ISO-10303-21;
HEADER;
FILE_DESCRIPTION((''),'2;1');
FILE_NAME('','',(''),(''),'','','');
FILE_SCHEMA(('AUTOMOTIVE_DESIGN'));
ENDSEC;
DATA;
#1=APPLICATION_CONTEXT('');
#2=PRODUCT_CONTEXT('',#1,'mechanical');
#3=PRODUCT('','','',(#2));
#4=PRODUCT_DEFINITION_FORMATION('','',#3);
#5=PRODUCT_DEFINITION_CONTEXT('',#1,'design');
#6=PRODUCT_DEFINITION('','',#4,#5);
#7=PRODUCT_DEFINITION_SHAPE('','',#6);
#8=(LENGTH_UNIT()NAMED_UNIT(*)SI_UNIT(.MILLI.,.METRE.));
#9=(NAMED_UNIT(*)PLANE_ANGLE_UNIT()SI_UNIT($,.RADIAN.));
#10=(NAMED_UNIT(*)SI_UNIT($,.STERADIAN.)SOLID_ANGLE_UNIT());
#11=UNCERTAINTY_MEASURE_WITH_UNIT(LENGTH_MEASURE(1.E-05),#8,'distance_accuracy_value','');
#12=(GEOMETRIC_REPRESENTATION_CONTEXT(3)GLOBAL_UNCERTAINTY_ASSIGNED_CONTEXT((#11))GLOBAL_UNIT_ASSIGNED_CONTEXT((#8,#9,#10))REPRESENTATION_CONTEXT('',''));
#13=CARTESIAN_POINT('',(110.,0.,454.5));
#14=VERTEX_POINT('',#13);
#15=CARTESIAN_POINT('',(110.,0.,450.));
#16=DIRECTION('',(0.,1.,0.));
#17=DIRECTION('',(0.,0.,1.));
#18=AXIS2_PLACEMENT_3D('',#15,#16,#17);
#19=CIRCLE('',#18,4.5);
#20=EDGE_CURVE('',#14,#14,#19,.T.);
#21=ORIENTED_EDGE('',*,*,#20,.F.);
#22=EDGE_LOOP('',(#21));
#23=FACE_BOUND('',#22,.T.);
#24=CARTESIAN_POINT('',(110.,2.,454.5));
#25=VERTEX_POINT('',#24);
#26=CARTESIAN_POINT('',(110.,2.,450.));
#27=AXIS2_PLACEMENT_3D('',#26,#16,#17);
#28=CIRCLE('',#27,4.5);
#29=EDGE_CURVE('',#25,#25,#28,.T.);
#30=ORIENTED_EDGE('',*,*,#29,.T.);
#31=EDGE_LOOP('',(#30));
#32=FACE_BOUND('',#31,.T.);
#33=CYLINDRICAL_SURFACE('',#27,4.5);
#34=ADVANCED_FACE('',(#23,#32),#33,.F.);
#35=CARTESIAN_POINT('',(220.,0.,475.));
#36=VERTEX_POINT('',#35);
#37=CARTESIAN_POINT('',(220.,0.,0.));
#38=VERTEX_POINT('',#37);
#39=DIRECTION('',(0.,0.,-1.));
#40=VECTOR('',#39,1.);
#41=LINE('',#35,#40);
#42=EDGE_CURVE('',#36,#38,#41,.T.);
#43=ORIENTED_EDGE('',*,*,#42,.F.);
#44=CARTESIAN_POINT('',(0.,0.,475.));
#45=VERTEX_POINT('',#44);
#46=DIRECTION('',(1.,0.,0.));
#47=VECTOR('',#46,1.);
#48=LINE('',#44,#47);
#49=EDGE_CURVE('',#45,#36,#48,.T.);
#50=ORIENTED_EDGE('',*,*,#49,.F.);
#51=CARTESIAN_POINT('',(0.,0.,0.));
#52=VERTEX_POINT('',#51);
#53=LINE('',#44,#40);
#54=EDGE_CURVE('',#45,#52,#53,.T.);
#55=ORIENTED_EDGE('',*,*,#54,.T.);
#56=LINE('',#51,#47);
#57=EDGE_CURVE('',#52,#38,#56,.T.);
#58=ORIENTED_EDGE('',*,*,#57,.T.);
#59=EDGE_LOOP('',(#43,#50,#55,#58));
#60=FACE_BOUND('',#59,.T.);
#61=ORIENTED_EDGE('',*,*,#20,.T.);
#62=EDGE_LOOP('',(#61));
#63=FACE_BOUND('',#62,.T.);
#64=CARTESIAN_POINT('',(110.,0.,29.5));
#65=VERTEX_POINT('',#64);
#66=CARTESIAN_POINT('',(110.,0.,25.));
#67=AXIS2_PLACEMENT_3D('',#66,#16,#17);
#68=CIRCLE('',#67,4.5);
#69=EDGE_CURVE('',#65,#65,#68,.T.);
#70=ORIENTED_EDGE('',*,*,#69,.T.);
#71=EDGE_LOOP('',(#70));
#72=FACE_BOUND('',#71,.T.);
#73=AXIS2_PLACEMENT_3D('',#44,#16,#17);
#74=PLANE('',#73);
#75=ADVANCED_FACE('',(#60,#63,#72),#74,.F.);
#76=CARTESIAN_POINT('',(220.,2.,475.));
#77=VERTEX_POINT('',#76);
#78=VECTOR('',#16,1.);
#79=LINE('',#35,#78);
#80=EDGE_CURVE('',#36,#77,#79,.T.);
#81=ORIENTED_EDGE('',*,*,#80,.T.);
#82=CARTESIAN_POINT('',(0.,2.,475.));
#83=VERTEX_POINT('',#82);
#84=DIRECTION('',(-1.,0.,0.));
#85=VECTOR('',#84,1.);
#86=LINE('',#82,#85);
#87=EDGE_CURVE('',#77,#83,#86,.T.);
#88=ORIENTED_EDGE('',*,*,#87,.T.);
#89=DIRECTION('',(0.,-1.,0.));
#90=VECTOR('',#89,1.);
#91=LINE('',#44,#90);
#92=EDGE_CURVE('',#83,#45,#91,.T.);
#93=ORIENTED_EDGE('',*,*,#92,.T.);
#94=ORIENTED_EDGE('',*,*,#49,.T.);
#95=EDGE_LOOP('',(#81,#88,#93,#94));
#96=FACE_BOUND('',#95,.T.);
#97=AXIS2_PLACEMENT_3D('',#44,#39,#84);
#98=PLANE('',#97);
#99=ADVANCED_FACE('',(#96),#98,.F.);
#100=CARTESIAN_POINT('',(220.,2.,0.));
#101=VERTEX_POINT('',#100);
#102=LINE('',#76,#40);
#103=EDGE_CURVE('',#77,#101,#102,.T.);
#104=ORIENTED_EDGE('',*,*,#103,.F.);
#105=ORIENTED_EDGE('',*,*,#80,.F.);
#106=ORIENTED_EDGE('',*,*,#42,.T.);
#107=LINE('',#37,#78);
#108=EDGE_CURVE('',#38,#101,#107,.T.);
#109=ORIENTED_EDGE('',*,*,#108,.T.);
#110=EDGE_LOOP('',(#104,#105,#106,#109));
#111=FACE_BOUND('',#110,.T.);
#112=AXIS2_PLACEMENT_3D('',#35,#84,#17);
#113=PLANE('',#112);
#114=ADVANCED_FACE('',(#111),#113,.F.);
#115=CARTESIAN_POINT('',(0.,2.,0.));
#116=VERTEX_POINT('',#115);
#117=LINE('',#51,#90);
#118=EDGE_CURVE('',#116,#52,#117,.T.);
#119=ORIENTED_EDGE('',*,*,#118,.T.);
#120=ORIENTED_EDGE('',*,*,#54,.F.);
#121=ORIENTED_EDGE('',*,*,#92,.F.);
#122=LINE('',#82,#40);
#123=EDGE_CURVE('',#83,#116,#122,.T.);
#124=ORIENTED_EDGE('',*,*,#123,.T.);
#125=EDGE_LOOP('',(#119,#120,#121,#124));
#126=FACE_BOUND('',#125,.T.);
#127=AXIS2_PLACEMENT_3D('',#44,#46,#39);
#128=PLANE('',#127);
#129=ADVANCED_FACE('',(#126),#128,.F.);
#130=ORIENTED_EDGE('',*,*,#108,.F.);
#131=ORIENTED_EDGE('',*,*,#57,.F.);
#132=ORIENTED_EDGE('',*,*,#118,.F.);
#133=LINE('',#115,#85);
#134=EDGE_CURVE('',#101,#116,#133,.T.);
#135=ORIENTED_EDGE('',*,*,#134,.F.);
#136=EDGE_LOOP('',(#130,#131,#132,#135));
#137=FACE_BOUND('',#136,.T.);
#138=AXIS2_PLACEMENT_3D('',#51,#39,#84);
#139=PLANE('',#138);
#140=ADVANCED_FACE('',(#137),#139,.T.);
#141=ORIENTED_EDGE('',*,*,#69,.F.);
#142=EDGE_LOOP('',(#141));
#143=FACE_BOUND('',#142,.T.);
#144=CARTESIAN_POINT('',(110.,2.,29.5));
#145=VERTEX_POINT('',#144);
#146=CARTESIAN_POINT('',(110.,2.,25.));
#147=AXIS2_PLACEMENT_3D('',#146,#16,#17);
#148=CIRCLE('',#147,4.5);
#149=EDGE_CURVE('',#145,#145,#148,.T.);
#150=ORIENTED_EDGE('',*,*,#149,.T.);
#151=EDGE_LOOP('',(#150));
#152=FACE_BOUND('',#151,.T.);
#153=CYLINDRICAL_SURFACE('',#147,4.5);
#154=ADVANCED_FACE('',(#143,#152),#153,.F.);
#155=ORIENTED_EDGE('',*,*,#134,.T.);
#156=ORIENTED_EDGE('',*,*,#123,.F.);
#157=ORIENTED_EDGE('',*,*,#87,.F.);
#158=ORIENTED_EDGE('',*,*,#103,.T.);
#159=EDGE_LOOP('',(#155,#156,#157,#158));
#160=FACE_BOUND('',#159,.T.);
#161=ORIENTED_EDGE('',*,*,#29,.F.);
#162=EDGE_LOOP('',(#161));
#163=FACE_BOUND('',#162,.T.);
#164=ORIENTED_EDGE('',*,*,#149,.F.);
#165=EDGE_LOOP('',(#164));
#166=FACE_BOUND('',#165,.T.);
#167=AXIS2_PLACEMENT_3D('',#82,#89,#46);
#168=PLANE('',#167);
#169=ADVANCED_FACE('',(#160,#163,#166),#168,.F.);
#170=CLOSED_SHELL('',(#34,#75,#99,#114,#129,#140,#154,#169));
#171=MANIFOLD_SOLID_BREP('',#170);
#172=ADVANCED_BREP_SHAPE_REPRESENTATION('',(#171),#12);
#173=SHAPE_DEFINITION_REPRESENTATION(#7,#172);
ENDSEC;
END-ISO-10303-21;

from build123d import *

# Parameters (mm, degrees)
ESBO_O1_W                   = 220
ESBO_O1_H                   = 2
RESSALTO_EXTRUS_O1_DEPTH    = 475
FURO_COM_FOLGA_DE_M81_D     = 9
FURO_COM_FOLGA_DE_M81_DEPTH = 10
FURO_COM_FOLGA_DE_M81_TIP   = 2.703872786


with BuildPart() as part:
    # Esboço1 → Ressalto-extrusão1 (new body)
    with BuildSketch(Plane.XY):
        with Locations((110, 1)):
            Rectangle(ESBO_O1_W, ESBO_O1_H)
    extrude(amount=RESSALTO_EXTRUS_O1_DEPTH)

    # Furo com folga de M81
    with Locations(Plane(origin=(110, 2, 25), x_dir=(0, 0, 1), z_dir=(0, 1, 0))):
        with Locations((0, 0), (425, 0)):
            Hole(FURO_COM_FOLGA_DE_M81_D / 2, depth=FURO_COM_FOLGA_DE_M81_DEPTH)
            with Locations((0, 0, -(FURO_COM_FOLGA_DE_M81_DEPTH + FURO_COM_FOLGA_DE_M81_TIP / 2))):  # 118° drill point
                Cone(0, FURO_COM_FOLGA_DE_M81_D / 2, FURO_COM_FOLGA_DE_M81_TIP, mode=Mode.SUBTRACT)


solid = part.part
